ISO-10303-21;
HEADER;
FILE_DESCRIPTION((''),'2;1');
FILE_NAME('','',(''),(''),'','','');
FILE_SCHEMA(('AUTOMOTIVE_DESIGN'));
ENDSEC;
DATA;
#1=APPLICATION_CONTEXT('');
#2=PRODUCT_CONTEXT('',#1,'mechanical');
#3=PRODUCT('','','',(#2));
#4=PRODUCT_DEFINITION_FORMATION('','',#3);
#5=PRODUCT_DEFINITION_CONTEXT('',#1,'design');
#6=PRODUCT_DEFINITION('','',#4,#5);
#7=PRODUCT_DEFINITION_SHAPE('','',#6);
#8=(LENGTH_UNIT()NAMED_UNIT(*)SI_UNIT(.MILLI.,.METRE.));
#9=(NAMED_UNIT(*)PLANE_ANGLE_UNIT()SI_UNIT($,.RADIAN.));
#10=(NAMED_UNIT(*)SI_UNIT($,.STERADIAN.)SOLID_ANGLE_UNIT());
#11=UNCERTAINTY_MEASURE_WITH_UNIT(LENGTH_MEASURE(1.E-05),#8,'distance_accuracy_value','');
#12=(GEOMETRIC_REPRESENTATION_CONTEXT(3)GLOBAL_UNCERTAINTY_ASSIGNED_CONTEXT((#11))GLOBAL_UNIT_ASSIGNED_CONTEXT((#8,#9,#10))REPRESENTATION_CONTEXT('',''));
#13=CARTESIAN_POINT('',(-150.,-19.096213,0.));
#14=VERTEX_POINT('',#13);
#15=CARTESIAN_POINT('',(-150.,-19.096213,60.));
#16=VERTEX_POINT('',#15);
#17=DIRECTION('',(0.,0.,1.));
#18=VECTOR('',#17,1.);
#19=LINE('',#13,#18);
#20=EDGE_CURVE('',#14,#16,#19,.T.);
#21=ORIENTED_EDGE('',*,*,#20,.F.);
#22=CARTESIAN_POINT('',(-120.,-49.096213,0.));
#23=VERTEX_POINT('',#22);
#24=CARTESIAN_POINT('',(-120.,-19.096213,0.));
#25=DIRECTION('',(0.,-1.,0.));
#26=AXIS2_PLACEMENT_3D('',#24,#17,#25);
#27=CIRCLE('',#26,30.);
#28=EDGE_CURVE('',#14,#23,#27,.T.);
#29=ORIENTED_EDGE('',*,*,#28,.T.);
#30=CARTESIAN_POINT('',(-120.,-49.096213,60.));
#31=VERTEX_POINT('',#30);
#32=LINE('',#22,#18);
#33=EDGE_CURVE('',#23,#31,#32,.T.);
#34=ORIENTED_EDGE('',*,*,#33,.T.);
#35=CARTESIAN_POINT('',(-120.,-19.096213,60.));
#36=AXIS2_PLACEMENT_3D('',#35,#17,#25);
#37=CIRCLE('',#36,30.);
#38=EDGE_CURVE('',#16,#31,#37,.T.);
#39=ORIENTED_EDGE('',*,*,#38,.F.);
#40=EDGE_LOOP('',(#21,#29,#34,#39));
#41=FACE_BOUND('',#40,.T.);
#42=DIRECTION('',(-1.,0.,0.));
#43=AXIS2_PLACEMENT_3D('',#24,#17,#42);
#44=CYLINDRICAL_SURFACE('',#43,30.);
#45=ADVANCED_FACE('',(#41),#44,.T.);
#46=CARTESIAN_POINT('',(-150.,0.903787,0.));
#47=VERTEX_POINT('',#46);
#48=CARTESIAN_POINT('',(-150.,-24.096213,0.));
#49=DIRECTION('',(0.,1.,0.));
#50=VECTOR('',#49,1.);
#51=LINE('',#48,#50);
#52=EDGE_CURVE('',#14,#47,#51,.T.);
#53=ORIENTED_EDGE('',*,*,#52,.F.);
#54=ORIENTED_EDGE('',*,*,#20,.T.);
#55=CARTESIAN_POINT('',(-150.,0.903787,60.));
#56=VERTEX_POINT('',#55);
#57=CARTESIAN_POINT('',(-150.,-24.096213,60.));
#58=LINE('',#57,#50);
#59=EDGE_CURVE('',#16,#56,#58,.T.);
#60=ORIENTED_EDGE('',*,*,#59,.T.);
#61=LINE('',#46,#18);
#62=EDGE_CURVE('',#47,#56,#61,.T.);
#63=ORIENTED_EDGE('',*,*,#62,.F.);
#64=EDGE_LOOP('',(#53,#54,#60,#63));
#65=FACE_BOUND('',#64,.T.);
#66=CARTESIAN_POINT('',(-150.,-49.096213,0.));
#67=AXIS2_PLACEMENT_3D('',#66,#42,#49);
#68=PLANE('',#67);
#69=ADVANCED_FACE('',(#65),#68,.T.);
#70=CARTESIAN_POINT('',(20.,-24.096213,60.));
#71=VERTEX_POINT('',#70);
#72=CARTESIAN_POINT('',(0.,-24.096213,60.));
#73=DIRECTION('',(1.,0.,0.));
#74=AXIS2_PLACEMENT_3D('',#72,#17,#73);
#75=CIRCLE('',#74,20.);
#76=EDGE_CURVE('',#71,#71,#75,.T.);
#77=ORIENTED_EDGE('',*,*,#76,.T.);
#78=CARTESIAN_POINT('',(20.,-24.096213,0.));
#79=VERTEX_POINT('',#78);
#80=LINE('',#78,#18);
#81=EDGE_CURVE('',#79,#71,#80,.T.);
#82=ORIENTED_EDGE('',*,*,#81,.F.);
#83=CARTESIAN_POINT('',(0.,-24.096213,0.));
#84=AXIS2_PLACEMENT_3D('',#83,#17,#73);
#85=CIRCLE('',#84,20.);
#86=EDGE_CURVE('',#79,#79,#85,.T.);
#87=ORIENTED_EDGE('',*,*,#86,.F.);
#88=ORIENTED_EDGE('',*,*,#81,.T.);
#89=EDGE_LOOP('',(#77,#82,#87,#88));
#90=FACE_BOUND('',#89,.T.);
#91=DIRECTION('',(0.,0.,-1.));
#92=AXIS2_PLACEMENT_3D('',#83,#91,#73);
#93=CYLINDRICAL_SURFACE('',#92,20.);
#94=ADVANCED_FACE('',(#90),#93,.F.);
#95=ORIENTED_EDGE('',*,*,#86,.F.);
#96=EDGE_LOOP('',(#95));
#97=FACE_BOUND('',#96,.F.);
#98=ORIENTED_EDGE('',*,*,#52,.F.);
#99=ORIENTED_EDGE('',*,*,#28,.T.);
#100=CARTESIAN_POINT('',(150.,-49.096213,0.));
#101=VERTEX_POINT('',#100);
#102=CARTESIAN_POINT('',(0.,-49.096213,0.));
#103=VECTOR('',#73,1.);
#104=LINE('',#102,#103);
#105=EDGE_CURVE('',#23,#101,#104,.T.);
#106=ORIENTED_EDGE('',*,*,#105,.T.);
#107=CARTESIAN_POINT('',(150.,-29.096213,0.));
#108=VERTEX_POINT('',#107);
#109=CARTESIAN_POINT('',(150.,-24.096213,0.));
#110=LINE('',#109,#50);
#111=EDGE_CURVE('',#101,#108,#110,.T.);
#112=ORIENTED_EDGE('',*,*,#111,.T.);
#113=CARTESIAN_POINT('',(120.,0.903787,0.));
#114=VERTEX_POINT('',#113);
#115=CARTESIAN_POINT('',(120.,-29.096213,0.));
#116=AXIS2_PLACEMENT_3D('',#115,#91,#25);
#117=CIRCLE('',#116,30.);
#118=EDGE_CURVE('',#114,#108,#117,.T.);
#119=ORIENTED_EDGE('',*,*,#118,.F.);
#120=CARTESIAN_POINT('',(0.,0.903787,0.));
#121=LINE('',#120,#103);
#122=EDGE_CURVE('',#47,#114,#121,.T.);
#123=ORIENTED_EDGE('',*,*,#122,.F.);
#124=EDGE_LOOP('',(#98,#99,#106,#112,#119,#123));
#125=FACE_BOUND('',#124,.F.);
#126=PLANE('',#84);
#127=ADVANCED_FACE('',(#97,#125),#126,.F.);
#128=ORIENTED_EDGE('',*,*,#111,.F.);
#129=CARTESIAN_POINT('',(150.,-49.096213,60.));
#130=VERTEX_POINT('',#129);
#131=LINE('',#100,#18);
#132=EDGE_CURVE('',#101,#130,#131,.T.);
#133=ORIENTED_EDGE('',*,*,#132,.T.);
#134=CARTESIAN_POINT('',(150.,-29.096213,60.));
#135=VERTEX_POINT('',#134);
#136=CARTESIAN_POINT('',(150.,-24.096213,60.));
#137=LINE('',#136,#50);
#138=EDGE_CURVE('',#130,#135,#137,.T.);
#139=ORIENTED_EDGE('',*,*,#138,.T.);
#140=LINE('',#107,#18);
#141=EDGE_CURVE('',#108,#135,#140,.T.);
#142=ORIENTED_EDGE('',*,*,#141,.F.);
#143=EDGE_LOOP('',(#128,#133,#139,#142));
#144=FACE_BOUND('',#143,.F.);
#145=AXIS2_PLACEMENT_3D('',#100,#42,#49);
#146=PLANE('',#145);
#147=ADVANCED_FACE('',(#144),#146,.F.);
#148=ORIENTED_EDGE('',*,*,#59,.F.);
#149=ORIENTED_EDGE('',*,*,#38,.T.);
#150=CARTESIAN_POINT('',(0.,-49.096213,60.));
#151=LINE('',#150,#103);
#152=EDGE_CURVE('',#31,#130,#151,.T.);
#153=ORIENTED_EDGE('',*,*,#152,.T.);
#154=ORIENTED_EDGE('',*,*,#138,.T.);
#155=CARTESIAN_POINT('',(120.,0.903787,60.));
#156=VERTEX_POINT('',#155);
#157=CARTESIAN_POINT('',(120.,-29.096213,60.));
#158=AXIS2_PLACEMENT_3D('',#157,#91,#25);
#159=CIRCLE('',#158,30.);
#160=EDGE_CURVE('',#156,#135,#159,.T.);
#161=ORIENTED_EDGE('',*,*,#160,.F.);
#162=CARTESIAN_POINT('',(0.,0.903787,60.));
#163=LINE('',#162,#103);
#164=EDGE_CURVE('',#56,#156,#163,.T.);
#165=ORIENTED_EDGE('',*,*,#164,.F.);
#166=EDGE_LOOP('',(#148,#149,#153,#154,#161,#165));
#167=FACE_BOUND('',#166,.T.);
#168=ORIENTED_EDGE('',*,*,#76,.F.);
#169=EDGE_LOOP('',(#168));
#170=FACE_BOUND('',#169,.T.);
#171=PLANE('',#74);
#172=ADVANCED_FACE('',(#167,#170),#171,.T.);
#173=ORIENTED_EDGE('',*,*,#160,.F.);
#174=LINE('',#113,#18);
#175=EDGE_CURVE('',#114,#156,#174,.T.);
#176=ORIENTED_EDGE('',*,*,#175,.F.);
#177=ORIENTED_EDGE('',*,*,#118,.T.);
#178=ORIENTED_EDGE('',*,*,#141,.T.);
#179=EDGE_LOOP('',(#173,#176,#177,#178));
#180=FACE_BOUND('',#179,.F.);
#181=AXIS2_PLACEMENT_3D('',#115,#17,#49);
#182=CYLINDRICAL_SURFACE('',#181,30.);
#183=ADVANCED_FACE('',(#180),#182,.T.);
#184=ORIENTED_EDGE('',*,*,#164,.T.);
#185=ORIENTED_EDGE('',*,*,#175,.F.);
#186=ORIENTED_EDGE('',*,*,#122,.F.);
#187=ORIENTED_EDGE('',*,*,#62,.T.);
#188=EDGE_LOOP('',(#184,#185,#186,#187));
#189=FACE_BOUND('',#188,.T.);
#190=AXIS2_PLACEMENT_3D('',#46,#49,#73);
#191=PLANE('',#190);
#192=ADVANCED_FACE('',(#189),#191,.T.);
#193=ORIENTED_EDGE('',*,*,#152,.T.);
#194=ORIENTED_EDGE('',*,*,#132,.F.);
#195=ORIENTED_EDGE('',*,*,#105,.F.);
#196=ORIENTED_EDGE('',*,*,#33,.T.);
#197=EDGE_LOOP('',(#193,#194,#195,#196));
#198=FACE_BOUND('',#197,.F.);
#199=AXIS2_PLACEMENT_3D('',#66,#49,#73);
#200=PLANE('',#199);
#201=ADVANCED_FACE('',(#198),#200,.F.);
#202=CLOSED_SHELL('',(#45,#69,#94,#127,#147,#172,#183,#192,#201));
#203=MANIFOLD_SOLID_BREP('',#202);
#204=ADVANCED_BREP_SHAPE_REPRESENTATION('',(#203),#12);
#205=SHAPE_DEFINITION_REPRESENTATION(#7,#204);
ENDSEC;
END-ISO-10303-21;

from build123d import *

# Parameters (mm, degrees)
F0_W     = 300
F0_H     = 50
F0_R     = 20
F1_DEPTH = 60
F2_R     = 30


with BuildPart() as f1:
    # F0 (on Top) → F1 (new body)
    with BuildSketch(Plane.XY):
        with Locations((0, -24.096213)):
            Rectangle(F0_W, F0_H)
        with Locations((0, -24.096213)):
            Circle(F0_R, mode=Mode.SUBTRACT)
    extrude(amount=F1_DEPTH)

    # F2
    f2_edges = [f1.edges().sort_by_distance(p)[0] for p in [
        (-150, -49.096213, 30),
        (150, 0.903787, 30),
    ]]
    fillet(f2_edges, radius=F2_R)


solid = f1.part
